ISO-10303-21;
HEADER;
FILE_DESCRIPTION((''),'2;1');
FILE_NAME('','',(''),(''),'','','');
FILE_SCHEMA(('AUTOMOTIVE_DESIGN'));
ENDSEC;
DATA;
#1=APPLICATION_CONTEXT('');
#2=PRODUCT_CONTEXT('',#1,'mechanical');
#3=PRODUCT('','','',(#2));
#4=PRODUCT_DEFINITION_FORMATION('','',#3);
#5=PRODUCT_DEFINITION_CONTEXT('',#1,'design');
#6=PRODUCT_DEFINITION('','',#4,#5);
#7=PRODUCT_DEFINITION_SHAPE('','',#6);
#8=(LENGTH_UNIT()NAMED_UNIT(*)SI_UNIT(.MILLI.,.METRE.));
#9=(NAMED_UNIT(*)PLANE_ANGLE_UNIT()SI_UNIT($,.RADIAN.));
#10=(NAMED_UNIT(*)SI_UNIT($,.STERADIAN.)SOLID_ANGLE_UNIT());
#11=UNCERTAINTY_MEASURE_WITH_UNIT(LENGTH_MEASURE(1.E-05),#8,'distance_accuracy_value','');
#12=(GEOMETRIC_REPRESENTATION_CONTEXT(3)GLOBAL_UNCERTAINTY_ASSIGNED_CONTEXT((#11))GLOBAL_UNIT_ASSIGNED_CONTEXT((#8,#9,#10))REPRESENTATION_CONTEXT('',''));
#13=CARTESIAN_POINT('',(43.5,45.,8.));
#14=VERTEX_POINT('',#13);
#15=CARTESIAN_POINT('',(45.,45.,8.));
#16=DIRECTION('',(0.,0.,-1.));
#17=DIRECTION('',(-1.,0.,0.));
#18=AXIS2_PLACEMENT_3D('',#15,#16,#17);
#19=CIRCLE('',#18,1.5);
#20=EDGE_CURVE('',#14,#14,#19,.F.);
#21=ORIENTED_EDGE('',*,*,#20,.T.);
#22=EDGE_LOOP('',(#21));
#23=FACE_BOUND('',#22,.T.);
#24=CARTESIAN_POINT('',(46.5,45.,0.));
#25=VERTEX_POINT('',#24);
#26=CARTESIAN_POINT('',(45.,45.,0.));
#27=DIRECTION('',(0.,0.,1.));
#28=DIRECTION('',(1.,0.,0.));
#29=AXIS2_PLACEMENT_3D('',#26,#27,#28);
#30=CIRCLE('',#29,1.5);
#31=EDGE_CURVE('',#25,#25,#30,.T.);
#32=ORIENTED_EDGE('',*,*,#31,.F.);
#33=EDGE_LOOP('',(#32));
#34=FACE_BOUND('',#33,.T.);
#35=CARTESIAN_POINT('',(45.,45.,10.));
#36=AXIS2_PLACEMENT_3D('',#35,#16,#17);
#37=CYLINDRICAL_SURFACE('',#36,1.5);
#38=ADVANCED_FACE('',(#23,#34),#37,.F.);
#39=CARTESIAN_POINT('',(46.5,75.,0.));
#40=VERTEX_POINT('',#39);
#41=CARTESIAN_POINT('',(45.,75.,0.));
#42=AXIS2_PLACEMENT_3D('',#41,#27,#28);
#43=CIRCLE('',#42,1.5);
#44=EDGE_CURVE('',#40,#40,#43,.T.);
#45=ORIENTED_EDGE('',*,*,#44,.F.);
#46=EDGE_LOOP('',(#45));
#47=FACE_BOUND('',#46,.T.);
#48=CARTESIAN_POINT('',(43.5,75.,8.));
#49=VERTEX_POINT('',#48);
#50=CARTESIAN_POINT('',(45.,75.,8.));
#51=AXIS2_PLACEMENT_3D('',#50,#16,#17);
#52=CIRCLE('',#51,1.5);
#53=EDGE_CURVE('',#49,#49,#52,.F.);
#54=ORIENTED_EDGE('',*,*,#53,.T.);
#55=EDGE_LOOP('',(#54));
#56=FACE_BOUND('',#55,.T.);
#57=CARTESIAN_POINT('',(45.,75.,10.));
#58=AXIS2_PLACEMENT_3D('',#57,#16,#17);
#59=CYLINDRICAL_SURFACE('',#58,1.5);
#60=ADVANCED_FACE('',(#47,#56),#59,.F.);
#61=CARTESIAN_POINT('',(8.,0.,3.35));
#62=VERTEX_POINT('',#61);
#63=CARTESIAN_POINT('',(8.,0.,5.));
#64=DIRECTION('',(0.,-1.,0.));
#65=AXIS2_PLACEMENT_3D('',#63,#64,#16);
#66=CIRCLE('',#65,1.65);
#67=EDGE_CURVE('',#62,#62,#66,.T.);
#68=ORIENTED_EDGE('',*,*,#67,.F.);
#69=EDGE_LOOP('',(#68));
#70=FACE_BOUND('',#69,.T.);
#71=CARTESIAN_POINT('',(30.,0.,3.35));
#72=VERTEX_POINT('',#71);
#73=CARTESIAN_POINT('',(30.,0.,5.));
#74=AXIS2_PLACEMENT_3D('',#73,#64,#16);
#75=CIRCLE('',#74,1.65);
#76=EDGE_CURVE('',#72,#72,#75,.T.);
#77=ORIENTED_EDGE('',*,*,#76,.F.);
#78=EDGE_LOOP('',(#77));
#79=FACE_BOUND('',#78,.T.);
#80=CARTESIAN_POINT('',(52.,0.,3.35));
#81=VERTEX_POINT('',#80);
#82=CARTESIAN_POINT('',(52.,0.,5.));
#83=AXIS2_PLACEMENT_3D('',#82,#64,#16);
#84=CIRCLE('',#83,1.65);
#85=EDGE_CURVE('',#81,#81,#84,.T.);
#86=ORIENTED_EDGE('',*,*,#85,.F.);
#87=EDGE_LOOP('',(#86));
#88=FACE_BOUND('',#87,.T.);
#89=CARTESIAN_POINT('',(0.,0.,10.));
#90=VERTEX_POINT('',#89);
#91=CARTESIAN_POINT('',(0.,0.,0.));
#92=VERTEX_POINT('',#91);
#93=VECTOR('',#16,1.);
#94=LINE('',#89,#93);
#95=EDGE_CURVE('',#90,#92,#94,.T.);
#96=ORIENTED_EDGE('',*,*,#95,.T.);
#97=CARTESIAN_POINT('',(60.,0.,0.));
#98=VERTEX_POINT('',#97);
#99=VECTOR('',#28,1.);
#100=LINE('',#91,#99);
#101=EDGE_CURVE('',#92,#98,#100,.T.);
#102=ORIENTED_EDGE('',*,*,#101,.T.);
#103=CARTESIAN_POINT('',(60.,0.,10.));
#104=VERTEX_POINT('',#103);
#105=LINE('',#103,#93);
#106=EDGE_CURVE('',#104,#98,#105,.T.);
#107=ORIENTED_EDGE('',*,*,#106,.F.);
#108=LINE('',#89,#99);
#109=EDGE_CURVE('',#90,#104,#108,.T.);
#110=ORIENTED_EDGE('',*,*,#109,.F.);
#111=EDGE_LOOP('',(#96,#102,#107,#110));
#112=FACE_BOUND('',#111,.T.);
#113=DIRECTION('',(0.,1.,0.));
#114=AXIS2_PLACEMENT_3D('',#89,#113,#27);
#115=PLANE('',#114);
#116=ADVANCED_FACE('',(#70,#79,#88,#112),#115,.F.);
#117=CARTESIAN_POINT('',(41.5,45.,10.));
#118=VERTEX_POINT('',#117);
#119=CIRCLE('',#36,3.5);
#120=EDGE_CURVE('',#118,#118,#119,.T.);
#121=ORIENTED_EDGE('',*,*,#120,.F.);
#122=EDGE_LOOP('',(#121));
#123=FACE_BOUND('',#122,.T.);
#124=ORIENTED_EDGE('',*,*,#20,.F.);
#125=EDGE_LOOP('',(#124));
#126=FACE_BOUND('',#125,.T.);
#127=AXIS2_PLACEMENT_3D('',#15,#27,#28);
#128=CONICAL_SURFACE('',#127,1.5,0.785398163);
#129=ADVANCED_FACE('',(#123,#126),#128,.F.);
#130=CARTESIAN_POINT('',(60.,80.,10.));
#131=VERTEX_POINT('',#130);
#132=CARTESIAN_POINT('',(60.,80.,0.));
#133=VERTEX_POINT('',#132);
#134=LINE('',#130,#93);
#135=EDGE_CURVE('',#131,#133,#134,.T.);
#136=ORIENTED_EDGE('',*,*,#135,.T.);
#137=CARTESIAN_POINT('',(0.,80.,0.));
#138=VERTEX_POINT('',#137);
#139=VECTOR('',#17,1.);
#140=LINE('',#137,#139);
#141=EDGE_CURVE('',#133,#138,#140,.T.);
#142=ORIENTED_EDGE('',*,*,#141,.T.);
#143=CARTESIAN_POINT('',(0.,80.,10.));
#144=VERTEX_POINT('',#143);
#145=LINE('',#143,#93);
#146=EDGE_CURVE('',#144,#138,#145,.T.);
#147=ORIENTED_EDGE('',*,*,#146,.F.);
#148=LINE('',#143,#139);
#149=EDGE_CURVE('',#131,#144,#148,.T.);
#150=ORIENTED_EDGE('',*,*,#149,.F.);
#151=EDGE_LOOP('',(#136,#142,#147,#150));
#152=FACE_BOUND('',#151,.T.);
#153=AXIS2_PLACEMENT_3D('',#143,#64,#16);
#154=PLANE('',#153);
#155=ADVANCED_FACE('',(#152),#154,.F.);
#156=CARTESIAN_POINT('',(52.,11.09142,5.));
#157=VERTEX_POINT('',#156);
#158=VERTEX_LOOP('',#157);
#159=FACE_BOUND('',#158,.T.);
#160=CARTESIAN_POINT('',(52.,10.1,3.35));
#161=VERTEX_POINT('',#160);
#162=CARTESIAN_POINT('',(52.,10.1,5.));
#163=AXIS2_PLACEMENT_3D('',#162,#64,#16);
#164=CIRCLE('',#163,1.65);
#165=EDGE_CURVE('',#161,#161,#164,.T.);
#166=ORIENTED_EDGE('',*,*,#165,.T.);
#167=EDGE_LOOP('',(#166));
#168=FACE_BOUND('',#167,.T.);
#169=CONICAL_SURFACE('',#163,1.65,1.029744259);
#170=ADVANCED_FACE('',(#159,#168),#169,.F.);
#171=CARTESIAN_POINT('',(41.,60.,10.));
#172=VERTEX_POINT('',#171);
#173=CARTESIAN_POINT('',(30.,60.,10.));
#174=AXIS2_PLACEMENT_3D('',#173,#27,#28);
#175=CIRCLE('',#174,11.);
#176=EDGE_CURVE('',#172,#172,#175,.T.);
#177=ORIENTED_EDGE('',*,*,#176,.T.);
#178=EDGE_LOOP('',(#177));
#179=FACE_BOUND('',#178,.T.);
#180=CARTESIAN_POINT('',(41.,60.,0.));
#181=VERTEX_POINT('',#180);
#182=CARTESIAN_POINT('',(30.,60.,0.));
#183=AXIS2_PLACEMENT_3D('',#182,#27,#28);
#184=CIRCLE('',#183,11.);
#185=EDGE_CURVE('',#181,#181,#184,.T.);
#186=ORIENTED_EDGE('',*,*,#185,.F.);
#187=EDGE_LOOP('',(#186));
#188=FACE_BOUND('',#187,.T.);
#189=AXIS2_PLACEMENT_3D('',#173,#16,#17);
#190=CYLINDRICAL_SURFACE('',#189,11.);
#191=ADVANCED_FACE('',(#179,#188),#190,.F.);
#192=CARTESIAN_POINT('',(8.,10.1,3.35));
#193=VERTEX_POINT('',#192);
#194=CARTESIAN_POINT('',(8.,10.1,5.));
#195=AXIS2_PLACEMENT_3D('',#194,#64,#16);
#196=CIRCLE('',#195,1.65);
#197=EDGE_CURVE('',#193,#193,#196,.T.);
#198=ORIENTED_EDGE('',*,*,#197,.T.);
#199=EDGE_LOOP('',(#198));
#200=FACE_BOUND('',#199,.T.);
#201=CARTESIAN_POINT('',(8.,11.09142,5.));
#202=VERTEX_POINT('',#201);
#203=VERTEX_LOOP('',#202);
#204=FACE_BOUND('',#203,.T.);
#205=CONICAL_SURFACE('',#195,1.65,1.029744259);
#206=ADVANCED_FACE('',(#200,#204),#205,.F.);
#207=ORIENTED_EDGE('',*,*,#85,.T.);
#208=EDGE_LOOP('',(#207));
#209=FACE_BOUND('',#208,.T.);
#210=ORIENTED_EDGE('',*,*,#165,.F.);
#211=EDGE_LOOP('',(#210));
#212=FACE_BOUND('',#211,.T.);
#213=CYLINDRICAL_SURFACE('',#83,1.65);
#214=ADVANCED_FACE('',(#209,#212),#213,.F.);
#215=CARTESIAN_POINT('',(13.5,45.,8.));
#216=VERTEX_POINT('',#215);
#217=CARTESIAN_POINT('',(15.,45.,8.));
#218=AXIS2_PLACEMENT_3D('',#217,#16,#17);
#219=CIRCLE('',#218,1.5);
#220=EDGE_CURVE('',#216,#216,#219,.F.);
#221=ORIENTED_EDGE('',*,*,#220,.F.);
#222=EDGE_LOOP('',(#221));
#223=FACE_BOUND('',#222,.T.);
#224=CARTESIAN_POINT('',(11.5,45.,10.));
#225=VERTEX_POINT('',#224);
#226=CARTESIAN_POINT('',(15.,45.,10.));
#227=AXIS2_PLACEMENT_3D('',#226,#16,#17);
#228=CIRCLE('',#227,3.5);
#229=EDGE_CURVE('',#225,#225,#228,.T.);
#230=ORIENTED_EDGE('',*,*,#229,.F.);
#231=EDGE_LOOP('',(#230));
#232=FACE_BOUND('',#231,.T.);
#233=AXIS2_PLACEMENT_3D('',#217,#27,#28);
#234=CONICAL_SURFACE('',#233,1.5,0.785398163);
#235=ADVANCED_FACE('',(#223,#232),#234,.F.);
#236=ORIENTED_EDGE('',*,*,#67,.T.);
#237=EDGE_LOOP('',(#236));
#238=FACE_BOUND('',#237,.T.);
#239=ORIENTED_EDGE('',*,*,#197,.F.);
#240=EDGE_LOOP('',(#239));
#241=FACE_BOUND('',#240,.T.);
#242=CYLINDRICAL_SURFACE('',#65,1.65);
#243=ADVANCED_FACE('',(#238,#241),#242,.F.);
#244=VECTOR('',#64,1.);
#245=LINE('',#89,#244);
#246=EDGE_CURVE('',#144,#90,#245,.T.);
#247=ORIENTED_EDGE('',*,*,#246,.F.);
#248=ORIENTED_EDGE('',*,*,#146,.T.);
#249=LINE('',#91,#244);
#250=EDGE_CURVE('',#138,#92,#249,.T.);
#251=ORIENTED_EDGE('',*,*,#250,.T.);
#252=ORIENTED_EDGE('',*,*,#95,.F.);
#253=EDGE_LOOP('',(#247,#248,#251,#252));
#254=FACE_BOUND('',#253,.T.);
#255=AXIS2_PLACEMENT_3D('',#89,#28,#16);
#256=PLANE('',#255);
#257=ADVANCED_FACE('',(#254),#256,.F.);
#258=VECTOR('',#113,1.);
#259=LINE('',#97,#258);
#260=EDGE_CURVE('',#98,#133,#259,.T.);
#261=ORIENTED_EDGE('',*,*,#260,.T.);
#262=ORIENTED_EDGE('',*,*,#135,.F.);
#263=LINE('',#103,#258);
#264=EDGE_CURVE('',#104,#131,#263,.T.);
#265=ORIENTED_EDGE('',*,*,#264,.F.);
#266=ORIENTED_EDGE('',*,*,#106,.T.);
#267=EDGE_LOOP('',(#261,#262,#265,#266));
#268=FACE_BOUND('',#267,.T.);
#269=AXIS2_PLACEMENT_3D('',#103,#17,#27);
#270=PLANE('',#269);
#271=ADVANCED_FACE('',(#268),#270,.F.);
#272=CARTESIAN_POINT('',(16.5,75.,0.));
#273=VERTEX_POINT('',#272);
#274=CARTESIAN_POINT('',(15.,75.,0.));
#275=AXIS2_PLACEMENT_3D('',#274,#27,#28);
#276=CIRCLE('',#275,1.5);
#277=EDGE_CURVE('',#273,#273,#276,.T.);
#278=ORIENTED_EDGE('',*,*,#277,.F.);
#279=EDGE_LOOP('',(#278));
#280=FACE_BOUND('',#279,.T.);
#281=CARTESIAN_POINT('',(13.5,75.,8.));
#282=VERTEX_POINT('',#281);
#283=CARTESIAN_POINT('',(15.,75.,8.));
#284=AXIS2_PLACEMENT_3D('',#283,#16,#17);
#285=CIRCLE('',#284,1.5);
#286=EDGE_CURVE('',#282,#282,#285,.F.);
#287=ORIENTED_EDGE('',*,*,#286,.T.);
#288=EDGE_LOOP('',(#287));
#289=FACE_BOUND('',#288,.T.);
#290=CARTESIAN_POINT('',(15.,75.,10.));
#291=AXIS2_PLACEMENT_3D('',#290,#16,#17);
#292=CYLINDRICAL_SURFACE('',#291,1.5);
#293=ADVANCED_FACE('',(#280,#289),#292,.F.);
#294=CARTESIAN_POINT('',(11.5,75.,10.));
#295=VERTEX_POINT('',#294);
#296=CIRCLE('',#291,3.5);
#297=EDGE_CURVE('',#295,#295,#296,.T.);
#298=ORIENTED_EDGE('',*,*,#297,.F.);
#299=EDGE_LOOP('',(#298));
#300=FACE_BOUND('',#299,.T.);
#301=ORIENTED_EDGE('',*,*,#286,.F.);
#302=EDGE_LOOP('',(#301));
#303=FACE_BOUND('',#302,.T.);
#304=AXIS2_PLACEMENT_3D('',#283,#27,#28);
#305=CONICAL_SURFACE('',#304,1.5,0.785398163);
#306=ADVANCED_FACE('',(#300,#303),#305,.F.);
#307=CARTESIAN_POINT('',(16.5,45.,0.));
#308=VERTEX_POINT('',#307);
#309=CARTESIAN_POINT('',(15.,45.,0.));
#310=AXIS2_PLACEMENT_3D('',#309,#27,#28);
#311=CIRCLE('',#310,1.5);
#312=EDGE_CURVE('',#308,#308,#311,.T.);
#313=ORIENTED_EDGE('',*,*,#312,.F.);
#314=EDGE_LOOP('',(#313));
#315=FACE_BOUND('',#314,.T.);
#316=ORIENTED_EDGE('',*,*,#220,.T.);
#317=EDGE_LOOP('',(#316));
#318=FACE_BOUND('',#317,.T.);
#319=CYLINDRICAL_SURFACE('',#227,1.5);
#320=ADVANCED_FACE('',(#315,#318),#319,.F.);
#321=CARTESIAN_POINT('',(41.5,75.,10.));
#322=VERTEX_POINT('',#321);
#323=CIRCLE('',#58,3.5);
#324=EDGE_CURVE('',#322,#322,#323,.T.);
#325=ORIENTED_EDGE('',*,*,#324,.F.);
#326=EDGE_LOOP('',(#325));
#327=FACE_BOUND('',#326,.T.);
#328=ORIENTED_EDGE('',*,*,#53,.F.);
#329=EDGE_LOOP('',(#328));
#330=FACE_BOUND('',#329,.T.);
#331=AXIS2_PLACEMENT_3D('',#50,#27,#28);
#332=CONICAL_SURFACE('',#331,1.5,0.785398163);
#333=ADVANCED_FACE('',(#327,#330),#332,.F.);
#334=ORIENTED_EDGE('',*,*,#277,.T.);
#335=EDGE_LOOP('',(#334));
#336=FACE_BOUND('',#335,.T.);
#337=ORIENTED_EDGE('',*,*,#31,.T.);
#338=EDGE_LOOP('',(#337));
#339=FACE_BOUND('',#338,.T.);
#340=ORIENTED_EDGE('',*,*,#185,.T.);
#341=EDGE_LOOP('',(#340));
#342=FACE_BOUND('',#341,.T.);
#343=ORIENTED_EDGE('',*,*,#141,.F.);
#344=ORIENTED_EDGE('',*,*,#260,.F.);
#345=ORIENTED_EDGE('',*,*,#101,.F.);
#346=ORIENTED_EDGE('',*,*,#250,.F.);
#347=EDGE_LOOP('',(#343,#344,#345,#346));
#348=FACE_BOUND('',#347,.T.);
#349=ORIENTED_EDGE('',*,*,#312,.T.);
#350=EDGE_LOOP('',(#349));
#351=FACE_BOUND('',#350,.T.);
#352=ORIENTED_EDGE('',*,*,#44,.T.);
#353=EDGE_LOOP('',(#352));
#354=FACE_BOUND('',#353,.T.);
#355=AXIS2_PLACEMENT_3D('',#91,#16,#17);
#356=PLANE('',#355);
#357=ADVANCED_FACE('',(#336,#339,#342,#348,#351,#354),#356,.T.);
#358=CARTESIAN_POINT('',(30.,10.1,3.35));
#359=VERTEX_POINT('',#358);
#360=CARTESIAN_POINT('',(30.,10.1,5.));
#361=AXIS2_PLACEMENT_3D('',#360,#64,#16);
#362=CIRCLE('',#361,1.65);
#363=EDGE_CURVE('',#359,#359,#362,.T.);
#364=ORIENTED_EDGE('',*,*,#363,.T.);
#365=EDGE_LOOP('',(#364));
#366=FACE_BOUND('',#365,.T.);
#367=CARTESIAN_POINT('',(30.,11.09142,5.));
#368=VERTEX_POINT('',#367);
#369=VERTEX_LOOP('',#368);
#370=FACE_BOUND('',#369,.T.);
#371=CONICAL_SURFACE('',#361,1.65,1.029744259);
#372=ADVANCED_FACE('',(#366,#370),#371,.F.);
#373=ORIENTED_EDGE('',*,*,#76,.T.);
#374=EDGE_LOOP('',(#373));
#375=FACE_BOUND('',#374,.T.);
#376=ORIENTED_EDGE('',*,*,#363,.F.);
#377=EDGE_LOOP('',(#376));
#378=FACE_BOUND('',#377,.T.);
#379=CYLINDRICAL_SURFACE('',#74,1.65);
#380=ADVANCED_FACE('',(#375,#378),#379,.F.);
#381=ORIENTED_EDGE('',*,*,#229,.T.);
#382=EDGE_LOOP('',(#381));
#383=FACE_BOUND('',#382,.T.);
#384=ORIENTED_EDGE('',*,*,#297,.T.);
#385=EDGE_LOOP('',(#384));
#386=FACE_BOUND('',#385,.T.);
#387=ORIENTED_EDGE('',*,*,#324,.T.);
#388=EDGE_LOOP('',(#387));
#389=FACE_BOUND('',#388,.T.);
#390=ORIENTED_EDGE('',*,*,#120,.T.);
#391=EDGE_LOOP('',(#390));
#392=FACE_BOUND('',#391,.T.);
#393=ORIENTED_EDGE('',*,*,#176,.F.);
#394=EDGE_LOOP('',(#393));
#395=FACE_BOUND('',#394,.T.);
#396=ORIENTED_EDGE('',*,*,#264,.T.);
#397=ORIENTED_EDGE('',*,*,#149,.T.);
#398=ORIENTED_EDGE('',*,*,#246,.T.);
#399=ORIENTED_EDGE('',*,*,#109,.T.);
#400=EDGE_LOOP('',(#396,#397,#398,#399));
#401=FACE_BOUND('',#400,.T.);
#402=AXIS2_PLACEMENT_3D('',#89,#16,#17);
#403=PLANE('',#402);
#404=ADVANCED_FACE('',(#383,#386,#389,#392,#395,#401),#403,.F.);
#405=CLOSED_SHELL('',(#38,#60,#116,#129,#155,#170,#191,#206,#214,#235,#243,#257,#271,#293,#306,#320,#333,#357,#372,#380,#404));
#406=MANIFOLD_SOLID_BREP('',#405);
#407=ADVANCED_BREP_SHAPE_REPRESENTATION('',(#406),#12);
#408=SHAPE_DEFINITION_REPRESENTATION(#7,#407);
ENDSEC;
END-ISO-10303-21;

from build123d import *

# Parameters (mm, degrees)
SKETCH1_W                 = 60
SKETCH1_H                 = 80
SKETCH1_R                 = 11
SKETCH1_R_2               = 1.5
BOSS_EXTRUDE1_DEPTH       = 10
M4X0_7_TAPPED_HOLE1_D     = 3.3
M4X0_7_TAPPED_HOLE1_DEPTH = 10.1
M4X0_7_TAPPED_HOLE1_TIP   = 0.991420021
CHAMFER1_SIZE             = 2


with BuildPart() as part:
    # Sketch1 → Boss-Extrude1 (new body)
    with BuildSketch(Plane.XY):
        with Locations((30, 40)):
            Rectangle(SKETCH1_W, SKETCH1_H)
        with Locations((30, 60)):
            Circle(SKETCH1_R, mode=Mode.SUBTRACT)
        with Locations((15, 75)):
            Circle(SKETCH1_R_2, mode=Mode.SUBTRACT)
        with Locations((45, 75)):
            Circle(SKETCH1_R_2, mode=Mode.SUBTRACT)
        with Locations((45, 45)):
            Circle(SKETCH1_R_2, mode=Mode.SUBTRACT)
        with Locations((15, 45)):
            Circle(SKETCH1_R_2, mode=Mode.SUBTRACT)
    extrude(amount=BOSS_EXTRUDE1_DEPTH)

    # M4x0.7 Tapped Hole1
    with Locations(Plane(origin=(0, 0, 0), x_dir=(-1, 0, 0), z_dir=(0, -1, 0))):
        with Locations((-8, -5), (-30, -5), (-52, -5)):
            Hole(M4X0_7_TAPPED_HOLE1_D / 2, depth=M4X0_7_TAPPED_HOLE1_DEPTH)
            with Locations((0, 0, -(M4X0_7_TAPPED_HOLE1_DEPTH + M4X0_7_TAPPED_HOLE1_TIP / 2))):  # 118° drill point
                Cone(0, M4X0_7_TAPPED_HOLE1_D / 2, M4X0_7_TAPPED_HOLE1_TIP, mode=Mode.SUBTRACT)

    # Chamfer1
    chamfer1_edges = [part.edges().sort_by_distance(p)[0] for p in [
        (13.5, 75, 10),
        (43.5, 75, 10),
        (43.5, 45, 10),
        (13.5, 45, 10),
    ]]
    chamfer(chamfer1_edges, length=CHAMFER1_SIZE)


solid = part.part
